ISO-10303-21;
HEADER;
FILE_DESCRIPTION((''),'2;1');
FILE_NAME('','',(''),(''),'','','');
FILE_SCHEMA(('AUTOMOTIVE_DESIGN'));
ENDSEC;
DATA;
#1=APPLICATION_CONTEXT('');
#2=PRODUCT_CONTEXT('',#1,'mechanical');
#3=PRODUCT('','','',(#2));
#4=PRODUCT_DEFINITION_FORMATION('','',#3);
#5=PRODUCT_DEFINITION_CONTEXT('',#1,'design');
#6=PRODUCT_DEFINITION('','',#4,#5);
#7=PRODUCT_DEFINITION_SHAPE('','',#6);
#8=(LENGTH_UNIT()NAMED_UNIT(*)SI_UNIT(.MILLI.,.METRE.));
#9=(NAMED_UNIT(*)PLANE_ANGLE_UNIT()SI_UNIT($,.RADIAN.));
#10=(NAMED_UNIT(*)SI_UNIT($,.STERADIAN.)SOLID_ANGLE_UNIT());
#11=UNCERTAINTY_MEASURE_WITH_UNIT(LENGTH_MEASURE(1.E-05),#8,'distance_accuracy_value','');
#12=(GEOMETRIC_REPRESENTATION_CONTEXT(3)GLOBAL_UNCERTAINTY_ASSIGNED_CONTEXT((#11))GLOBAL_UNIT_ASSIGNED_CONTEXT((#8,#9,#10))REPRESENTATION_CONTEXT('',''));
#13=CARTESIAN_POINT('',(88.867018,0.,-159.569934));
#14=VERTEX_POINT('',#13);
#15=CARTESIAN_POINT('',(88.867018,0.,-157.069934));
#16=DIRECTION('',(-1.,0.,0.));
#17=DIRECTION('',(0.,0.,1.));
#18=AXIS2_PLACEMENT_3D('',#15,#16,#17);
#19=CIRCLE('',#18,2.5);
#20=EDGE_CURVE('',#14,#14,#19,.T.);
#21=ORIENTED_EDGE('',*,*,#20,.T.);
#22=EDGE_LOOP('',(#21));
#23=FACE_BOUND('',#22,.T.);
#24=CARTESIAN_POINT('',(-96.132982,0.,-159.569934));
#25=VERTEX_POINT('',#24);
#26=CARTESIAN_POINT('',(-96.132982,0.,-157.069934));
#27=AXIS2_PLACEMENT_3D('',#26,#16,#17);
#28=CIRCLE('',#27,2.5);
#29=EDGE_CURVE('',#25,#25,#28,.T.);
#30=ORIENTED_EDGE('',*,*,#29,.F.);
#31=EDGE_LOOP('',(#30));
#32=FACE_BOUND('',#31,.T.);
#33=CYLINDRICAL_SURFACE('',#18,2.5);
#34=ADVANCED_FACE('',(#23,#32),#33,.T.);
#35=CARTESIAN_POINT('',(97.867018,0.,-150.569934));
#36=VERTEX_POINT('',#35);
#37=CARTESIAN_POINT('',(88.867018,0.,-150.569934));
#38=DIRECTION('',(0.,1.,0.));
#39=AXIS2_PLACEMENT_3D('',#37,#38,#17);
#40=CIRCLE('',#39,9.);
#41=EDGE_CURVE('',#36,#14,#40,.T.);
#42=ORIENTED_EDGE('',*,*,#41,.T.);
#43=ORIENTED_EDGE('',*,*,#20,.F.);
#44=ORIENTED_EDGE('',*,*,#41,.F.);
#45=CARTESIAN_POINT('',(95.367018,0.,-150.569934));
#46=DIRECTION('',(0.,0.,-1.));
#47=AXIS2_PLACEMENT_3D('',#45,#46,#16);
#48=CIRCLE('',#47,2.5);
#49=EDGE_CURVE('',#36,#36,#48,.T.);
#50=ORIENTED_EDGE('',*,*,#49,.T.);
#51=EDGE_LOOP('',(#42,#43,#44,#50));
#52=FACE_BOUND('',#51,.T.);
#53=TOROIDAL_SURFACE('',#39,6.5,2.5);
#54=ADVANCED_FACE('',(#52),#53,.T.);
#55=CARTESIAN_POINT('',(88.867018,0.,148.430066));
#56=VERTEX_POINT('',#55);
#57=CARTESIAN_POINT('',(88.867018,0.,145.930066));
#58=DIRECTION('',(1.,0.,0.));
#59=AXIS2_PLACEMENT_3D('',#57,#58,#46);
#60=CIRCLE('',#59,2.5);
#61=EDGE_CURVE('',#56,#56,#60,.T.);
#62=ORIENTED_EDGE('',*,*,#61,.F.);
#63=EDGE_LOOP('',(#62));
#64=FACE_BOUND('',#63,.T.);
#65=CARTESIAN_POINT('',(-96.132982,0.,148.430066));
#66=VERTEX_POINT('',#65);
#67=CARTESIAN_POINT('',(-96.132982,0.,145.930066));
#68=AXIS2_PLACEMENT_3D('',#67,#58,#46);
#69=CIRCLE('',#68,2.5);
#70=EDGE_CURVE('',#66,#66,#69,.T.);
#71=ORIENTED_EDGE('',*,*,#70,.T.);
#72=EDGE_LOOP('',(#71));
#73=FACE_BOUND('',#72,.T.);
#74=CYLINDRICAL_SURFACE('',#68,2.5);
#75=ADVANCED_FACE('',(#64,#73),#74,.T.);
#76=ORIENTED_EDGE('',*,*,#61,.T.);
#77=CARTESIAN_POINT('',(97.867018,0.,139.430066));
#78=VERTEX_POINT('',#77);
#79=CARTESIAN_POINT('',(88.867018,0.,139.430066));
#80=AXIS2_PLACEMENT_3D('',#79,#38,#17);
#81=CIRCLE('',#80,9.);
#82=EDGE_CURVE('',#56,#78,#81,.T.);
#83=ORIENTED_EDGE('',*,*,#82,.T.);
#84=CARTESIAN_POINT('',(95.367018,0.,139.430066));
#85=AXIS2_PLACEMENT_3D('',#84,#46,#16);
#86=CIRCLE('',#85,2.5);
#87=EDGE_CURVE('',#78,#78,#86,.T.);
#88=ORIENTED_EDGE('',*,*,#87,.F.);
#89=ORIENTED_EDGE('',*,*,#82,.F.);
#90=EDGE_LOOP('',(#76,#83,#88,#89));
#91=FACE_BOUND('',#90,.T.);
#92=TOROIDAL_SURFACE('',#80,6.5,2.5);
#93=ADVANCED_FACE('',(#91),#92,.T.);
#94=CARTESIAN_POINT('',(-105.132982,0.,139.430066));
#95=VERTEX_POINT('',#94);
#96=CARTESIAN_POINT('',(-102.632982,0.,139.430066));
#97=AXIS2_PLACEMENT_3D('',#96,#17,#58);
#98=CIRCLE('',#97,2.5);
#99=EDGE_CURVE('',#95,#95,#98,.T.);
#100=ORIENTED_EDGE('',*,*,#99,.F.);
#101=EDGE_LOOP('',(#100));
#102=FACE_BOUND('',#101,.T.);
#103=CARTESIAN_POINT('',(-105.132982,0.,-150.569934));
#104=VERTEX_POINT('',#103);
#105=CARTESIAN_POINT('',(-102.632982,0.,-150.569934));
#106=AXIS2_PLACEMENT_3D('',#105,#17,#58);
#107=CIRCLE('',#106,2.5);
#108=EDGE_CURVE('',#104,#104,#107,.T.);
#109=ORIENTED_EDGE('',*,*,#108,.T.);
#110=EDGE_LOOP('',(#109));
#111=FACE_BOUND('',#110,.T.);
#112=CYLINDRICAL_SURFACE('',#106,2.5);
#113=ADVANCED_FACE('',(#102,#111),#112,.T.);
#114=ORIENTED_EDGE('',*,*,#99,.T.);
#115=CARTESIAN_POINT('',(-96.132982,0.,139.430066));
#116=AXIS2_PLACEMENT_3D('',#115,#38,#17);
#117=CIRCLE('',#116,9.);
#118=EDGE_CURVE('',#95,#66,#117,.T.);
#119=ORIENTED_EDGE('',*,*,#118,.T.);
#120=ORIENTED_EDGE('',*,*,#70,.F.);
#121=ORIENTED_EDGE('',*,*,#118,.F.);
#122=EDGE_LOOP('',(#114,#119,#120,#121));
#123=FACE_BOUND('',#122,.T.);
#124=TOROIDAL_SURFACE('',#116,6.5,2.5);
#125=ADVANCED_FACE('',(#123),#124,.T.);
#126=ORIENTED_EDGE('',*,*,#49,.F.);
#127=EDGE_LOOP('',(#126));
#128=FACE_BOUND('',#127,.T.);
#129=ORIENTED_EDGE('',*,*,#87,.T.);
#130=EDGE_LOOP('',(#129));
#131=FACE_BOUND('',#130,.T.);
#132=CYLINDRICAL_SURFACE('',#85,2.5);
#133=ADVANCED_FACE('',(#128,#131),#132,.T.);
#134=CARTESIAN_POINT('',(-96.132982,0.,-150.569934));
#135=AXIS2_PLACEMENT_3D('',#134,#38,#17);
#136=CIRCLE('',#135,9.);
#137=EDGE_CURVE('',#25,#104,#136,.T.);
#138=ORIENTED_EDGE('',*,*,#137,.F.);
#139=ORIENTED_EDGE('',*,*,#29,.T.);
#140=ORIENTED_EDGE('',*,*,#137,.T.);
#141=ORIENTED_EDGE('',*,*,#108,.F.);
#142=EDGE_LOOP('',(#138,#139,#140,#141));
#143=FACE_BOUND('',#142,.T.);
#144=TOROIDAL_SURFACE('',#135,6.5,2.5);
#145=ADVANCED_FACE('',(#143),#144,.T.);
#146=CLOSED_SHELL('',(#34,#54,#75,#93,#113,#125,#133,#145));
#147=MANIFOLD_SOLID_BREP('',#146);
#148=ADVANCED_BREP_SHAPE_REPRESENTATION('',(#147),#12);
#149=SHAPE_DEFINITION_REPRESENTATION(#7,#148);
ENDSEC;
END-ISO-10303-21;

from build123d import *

# Parameters (mm, degrees)
SWEEP1_PROFILE_R = 2.5


with BuildPart() as part:
    # Sweep1: sweep along a path in Sketch1
    with BuildLine(Plane(origin=(0, 0, 0), x_dir=(1, 0, 0), z_dir=(0, 1, 0))) as sweep1_path:
        Line((-96.132982369, 157.069933949), (88.867017631, 157.069933949))
        ThreePointArc((88.867017631, 157.069933949), (93.463211709, 155.166128026), (95.367017631, 150.569933949))
        Line((95.367017631, 150.569933949), (95.367017631, -139.430066051))
        ThreePointArc((95.367017631, -139.430066051), (93.463211709, -144.026260129), (88.867017631, -145.930066051))
        Line((88.867017631, -145.930066051), (-96.132982369, -145.930066051))
        ThreePointArc((-96.132982369, -145.930066051), (-100.729176446, -144.026260129), (-102.632982369, -139.430066051))
        Line((-102.632982369, -139.430066051), (-102.632982369, 150.569933949))
        ThreePointArc((-102.632982369, 150.569933949), (-100.729176446, 155.166128026), (-96.132982369, 157.069933949))
    # Sweep1 profile (on start of the path) → Sweep1 (sweep)
    with BuildSketch(Plane(origin=(-96.132982369, 0, -157.069933949), x_dir=(0, 0, 1), z_dir=(1, 0, 0))):
        Circle(SWEEP1_PROFILE_R)
    sweep(path=sweep1_path.line)


solid = part.part
